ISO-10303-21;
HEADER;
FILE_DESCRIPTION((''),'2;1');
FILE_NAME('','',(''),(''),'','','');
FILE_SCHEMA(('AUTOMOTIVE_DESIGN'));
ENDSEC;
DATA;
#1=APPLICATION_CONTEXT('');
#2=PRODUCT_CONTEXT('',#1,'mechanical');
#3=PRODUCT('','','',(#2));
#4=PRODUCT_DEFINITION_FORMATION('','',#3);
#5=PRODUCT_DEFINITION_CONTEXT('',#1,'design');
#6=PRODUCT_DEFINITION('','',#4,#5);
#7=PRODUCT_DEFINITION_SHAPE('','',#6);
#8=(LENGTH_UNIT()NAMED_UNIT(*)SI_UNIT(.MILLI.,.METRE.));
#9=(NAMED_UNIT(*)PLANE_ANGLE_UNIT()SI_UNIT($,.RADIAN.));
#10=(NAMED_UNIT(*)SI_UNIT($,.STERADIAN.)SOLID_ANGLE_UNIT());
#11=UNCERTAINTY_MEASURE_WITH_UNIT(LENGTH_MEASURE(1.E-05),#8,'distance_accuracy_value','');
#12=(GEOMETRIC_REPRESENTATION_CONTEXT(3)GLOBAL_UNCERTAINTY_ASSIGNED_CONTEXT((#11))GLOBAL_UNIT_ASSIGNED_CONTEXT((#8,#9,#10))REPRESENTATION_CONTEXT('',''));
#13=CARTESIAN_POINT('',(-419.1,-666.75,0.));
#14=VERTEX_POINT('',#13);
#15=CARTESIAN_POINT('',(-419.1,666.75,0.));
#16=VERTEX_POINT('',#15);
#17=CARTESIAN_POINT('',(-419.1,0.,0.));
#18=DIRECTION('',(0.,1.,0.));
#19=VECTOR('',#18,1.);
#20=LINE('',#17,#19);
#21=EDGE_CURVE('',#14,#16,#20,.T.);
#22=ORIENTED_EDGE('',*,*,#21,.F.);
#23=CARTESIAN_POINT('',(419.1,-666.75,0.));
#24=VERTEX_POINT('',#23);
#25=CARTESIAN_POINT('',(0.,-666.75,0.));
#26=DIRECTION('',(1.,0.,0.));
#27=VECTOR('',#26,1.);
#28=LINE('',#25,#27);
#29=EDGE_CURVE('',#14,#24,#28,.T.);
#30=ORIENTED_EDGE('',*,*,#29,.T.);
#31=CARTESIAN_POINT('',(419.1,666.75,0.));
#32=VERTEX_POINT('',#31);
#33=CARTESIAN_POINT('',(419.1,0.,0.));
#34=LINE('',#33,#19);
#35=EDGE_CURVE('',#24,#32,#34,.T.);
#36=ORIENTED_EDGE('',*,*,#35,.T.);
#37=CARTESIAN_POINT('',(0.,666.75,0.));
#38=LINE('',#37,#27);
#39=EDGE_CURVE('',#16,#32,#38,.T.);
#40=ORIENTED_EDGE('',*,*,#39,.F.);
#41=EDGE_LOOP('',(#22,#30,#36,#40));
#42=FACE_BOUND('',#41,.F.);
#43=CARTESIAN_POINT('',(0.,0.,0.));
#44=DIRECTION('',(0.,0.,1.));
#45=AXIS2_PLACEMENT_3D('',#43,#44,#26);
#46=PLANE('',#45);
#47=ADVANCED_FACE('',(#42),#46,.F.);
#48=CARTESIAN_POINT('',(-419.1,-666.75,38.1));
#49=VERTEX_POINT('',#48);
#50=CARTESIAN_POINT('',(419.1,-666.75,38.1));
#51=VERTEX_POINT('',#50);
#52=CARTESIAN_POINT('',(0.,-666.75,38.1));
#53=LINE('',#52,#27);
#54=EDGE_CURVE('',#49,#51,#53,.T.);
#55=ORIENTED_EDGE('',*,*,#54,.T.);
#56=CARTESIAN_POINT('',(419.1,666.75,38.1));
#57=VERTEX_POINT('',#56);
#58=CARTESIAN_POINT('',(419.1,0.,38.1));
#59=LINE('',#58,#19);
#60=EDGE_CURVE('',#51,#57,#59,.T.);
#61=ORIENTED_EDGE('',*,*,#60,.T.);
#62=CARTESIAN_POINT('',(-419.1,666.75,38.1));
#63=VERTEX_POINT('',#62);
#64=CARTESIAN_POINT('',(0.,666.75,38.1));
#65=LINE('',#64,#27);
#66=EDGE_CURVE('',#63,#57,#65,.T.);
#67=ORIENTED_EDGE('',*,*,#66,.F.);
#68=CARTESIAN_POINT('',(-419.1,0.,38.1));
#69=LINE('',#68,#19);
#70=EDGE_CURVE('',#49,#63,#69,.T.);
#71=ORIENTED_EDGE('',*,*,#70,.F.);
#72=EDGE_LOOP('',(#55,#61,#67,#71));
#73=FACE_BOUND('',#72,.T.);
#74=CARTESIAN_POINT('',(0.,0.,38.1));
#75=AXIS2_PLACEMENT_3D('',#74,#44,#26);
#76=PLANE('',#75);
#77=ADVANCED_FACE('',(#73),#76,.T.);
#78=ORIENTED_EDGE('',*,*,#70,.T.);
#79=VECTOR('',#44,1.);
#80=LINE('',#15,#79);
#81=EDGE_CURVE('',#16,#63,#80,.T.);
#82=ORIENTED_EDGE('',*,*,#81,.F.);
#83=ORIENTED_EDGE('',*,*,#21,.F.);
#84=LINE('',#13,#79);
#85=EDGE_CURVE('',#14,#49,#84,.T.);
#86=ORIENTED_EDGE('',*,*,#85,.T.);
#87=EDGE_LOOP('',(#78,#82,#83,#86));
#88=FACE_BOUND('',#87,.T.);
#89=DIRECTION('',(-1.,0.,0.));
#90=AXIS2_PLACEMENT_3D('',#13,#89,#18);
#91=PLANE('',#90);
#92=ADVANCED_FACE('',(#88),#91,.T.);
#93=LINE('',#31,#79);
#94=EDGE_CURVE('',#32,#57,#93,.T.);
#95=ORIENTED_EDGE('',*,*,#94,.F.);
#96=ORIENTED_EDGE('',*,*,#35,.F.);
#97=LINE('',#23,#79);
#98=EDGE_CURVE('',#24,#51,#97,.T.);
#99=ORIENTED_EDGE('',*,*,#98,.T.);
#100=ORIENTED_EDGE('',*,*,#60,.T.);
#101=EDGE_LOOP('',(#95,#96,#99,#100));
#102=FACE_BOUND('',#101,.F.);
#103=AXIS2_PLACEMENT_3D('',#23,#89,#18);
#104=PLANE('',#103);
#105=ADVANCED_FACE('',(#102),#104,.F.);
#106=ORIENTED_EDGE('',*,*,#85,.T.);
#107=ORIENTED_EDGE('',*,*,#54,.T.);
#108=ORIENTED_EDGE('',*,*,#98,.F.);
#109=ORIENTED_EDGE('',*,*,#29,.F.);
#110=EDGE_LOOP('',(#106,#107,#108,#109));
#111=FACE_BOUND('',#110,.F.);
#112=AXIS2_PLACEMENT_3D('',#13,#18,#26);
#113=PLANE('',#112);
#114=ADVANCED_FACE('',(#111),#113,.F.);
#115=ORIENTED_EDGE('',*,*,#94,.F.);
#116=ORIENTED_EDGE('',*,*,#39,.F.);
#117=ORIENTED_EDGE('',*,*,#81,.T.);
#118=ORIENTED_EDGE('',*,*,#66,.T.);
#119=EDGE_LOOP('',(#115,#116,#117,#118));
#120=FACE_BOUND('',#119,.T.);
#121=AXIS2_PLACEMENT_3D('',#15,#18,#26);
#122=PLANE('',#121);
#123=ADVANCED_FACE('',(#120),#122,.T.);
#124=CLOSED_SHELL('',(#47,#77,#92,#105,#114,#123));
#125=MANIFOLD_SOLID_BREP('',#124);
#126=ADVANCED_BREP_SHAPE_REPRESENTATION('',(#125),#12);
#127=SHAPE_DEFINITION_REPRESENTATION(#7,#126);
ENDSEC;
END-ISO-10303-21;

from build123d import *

# Parameters (mm, degrees)
F0_W     = 838.2
F0_H     = 1333.5
F0_W_2   = 762
F0_H_2   = 1257.3
F1_DEPTH = 38.1


with BuildPart() as f1:
    # F0 (on Top) → F1 (new body)
    with BuildSketch(Plane.XY):
        Rectangle(F0_W, F0_H)
        Rectangle(F0_W_2, F0_H_2, mode=Mode.SUBTRACT)
        Rectangle(F0_W_2, F0_H_2)
    extrude(amount=F1_DEPTH)


solid = f1.part
